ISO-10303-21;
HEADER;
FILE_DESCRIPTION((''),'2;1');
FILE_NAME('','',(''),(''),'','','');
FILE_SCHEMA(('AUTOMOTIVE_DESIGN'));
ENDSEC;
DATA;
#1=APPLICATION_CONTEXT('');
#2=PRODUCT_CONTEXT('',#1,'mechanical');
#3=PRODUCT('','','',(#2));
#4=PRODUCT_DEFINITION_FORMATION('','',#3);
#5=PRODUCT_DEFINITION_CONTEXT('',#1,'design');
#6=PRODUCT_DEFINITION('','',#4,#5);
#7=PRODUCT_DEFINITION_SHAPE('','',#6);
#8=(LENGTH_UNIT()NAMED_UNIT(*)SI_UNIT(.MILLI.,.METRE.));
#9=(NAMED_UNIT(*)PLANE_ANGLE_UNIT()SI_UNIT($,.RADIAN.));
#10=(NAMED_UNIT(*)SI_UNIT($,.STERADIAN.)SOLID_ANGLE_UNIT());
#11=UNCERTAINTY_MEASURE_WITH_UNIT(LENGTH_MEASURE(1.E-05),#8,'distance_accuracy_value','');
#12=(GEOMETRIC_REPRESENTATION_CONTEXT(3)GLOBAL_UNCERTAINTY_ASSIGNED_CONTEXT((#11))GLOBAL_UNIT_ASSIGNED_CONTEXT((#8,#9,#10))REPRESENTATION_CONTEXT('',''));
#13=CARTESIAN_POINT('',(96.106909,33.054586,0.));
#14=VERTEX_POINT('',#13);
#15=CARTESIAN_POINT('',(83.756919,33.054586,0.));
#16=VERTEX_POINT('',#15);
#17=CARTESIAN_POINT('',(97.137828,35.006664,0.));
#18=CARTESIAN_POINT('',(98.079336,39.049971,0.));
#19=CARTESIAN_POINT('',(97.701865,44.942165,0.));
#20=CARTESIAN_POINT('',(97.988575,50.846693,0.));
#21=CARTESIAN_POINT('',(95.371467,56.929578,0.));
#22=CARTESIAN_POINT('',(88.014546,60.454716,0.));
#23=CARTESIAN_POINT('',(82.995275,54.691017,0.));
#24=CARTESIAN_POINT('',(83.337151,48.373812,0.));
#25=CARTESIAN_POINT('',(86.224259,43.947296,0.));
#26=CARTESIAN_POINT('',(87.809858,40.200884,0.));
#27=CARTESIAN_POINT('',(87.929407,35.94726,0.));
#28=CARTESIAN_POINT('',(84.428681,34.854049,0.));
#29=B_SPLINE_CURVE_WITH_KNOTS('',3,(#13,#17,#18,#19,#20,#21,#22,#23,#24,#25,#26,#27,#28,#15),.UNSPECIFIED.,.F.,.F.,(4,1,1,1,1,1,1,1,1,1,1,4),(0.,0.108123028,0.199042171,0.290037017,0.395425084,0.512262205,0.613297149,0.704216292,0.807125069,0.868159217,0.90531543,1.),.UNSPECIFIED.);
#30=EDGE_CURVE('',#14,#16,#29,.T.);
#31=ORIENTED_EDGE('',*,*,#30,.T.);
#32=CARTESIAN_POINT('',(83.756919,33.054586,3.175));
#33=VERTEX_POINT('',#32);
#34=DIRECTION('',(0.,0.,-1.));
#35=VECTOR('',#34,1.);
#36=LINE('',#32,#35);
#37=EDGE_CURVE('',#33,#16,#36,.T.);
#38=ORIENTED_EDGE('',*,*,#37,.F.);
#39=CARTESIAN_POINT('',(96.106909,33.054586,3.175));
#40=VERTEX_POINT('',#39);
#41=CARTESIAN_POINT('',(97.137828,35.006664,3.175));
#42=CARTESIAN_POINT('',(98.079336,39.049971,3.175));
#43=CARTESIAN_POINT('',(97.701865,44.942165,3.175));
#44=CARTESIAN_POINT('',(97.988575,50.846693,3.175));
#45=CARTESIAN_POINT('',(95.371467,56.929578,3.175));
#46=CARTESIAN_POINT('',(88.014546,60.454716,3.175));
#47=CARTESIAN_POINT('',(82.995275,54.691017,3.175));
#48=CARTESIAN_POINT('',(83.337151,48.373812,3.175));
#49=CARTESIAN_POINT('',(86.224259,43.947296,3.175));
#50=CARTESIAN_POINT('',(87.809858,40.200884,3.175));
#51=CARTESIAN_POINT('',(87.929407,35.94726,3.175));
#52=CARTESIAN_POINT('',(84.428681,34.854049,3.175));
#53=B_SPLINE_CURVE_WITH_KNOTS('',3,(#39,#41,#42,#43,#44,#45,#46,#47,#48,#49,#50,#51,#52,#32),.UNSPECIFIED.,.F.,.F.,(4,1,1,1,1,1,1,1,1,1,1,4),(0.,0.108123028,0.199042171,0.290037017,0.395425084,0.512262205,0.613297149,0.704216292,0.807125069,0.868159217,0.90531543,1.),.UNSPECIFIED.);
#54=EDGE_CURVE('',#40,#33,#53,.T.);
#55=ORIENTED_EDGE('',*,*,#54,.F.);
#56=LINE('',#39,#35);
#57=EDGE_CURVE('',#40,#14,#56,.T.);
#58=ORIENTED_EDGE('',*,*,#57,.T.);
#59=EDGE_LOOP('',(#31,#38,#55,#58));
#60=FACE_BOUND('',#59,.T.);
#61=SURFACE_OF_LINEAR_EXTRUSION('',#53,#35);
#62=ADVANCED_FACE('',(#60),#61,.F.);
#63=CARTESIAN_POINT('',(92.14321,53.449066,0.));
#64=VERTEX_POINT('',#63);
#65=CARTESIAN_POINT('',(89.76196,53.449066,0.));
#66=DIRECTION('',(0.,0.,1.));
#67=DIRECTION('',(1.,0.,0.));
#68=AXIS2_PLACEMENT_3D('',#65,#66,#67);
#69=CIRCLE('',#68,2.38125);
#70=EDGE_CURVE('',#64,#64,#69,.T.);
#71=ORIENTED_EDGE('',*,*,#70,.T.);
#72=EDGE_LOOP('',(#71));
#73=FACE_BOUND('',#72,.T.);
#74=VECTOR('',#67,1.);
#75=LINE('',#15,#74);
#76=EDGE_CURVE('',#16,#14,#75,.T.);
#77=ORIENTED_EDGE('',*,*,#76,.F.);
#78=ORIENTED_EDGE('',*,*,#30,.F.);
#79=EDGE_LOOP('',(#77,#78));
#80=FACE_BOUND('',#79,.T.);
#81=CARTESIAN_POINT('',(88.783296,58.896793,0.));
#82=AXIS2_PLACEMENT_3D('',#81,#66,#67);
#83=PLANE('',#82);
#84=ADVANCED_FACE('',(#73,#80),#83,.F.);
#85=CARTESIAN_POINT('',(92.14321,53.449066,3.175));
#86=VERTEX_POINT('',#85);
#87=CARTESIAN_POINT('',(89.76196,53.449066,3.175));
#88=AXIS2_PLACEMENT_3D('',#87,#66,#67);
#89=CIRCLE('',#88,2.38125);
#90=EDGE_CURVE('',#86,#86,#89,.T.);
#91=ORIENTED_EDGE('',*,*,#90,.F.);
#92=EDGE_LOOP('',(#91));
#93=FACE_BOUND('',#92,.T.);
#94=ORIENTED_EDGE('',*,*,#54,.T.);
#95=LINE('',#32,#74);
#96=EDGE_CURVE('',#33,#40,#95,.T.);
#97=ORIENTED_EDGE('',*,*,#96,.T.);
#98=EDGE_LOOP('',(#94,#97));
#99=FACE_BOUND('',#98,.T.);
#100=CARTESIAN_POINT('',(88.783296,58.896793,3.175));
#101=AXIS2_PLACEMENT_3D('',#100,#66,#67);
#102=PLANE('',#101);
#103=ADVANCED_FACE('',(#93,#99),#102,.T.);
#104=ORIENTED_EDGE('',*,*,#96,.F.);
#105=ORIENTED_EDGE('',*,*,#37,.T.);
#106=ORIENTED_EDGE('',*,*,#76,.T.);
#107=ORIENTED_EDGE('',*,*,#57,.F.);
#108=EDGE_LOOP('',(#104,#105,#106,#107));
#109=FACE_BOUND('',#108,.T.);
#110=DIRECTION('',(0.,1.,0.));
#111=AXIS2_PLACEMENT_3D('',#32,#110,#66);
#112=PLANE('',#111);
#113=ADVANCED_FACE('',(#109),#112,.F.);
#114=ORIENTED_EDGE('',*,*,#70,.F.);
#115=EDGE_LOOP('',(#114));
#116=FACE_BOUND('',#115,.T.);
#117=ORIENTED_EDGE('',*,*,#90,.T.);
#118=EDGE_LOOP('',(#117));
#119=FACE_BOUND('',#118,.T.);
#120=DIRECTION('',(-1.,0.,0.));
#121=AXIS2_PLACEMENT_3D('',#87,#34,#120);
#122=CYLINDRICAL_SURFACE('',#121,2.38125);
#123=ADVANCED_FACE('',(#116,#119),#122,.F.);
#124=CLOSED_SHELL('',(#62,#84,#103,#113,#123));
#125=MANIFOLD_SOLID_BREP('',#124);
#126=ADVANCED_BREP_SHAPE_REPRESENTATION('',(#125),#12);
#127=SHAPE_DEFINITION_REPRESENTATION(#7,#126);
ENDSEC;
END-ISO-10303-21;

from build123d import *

# Parameters (mm, degrees)
SKETCH1_R           = 2.38125
BOSS_EXTRUDE1_DEPTH = 3.175


with BuildPart() as part:
    # Sketch1 → Boss-Extrude1 (new body)
    with BuildSketch(Plane.XY):
        with BuildLine():
            Line((83.756919199, 33.05458632), (96.106909433, 33.05458632))
            add(Edge.make_bspline(
                [(83.756919199, 33.05458632), (84.428680863, 34.854049116), (87.929407152, 35.947259939), (87.809857743, 40.200883831), (86.224259391, 43.947296041), (83.337150862, 48.373812401), (82.995275031, 54.691016916), (88.014546246, 60.454715647), (95.371466931, 56.929577857), (97.988575047, 50.846693358), (97.701864555, 44.942165301), (98.079336199, 39.049970798), (97.137828324, 35.006663801), (96.106909433, 33.05458632)],
                knots=[0, 0, 0, 0, 0.09468457, 0.131840783, 0.192874931, 0.295783708, 0.386702851, 0.487737795, 0.604574916, 0.709962983, 0.800957829, 0.891876972, 1, 1, 1, 1], degree=3))
        make_face()
        with Locations((89.761960322, 53.449065604)):
            Circle(SKETCH1_R, mode=Mode.SUBTRACT)
    extrude(amount=BOSS_EXTRUDE1_DEPTH)


solid = part.part
